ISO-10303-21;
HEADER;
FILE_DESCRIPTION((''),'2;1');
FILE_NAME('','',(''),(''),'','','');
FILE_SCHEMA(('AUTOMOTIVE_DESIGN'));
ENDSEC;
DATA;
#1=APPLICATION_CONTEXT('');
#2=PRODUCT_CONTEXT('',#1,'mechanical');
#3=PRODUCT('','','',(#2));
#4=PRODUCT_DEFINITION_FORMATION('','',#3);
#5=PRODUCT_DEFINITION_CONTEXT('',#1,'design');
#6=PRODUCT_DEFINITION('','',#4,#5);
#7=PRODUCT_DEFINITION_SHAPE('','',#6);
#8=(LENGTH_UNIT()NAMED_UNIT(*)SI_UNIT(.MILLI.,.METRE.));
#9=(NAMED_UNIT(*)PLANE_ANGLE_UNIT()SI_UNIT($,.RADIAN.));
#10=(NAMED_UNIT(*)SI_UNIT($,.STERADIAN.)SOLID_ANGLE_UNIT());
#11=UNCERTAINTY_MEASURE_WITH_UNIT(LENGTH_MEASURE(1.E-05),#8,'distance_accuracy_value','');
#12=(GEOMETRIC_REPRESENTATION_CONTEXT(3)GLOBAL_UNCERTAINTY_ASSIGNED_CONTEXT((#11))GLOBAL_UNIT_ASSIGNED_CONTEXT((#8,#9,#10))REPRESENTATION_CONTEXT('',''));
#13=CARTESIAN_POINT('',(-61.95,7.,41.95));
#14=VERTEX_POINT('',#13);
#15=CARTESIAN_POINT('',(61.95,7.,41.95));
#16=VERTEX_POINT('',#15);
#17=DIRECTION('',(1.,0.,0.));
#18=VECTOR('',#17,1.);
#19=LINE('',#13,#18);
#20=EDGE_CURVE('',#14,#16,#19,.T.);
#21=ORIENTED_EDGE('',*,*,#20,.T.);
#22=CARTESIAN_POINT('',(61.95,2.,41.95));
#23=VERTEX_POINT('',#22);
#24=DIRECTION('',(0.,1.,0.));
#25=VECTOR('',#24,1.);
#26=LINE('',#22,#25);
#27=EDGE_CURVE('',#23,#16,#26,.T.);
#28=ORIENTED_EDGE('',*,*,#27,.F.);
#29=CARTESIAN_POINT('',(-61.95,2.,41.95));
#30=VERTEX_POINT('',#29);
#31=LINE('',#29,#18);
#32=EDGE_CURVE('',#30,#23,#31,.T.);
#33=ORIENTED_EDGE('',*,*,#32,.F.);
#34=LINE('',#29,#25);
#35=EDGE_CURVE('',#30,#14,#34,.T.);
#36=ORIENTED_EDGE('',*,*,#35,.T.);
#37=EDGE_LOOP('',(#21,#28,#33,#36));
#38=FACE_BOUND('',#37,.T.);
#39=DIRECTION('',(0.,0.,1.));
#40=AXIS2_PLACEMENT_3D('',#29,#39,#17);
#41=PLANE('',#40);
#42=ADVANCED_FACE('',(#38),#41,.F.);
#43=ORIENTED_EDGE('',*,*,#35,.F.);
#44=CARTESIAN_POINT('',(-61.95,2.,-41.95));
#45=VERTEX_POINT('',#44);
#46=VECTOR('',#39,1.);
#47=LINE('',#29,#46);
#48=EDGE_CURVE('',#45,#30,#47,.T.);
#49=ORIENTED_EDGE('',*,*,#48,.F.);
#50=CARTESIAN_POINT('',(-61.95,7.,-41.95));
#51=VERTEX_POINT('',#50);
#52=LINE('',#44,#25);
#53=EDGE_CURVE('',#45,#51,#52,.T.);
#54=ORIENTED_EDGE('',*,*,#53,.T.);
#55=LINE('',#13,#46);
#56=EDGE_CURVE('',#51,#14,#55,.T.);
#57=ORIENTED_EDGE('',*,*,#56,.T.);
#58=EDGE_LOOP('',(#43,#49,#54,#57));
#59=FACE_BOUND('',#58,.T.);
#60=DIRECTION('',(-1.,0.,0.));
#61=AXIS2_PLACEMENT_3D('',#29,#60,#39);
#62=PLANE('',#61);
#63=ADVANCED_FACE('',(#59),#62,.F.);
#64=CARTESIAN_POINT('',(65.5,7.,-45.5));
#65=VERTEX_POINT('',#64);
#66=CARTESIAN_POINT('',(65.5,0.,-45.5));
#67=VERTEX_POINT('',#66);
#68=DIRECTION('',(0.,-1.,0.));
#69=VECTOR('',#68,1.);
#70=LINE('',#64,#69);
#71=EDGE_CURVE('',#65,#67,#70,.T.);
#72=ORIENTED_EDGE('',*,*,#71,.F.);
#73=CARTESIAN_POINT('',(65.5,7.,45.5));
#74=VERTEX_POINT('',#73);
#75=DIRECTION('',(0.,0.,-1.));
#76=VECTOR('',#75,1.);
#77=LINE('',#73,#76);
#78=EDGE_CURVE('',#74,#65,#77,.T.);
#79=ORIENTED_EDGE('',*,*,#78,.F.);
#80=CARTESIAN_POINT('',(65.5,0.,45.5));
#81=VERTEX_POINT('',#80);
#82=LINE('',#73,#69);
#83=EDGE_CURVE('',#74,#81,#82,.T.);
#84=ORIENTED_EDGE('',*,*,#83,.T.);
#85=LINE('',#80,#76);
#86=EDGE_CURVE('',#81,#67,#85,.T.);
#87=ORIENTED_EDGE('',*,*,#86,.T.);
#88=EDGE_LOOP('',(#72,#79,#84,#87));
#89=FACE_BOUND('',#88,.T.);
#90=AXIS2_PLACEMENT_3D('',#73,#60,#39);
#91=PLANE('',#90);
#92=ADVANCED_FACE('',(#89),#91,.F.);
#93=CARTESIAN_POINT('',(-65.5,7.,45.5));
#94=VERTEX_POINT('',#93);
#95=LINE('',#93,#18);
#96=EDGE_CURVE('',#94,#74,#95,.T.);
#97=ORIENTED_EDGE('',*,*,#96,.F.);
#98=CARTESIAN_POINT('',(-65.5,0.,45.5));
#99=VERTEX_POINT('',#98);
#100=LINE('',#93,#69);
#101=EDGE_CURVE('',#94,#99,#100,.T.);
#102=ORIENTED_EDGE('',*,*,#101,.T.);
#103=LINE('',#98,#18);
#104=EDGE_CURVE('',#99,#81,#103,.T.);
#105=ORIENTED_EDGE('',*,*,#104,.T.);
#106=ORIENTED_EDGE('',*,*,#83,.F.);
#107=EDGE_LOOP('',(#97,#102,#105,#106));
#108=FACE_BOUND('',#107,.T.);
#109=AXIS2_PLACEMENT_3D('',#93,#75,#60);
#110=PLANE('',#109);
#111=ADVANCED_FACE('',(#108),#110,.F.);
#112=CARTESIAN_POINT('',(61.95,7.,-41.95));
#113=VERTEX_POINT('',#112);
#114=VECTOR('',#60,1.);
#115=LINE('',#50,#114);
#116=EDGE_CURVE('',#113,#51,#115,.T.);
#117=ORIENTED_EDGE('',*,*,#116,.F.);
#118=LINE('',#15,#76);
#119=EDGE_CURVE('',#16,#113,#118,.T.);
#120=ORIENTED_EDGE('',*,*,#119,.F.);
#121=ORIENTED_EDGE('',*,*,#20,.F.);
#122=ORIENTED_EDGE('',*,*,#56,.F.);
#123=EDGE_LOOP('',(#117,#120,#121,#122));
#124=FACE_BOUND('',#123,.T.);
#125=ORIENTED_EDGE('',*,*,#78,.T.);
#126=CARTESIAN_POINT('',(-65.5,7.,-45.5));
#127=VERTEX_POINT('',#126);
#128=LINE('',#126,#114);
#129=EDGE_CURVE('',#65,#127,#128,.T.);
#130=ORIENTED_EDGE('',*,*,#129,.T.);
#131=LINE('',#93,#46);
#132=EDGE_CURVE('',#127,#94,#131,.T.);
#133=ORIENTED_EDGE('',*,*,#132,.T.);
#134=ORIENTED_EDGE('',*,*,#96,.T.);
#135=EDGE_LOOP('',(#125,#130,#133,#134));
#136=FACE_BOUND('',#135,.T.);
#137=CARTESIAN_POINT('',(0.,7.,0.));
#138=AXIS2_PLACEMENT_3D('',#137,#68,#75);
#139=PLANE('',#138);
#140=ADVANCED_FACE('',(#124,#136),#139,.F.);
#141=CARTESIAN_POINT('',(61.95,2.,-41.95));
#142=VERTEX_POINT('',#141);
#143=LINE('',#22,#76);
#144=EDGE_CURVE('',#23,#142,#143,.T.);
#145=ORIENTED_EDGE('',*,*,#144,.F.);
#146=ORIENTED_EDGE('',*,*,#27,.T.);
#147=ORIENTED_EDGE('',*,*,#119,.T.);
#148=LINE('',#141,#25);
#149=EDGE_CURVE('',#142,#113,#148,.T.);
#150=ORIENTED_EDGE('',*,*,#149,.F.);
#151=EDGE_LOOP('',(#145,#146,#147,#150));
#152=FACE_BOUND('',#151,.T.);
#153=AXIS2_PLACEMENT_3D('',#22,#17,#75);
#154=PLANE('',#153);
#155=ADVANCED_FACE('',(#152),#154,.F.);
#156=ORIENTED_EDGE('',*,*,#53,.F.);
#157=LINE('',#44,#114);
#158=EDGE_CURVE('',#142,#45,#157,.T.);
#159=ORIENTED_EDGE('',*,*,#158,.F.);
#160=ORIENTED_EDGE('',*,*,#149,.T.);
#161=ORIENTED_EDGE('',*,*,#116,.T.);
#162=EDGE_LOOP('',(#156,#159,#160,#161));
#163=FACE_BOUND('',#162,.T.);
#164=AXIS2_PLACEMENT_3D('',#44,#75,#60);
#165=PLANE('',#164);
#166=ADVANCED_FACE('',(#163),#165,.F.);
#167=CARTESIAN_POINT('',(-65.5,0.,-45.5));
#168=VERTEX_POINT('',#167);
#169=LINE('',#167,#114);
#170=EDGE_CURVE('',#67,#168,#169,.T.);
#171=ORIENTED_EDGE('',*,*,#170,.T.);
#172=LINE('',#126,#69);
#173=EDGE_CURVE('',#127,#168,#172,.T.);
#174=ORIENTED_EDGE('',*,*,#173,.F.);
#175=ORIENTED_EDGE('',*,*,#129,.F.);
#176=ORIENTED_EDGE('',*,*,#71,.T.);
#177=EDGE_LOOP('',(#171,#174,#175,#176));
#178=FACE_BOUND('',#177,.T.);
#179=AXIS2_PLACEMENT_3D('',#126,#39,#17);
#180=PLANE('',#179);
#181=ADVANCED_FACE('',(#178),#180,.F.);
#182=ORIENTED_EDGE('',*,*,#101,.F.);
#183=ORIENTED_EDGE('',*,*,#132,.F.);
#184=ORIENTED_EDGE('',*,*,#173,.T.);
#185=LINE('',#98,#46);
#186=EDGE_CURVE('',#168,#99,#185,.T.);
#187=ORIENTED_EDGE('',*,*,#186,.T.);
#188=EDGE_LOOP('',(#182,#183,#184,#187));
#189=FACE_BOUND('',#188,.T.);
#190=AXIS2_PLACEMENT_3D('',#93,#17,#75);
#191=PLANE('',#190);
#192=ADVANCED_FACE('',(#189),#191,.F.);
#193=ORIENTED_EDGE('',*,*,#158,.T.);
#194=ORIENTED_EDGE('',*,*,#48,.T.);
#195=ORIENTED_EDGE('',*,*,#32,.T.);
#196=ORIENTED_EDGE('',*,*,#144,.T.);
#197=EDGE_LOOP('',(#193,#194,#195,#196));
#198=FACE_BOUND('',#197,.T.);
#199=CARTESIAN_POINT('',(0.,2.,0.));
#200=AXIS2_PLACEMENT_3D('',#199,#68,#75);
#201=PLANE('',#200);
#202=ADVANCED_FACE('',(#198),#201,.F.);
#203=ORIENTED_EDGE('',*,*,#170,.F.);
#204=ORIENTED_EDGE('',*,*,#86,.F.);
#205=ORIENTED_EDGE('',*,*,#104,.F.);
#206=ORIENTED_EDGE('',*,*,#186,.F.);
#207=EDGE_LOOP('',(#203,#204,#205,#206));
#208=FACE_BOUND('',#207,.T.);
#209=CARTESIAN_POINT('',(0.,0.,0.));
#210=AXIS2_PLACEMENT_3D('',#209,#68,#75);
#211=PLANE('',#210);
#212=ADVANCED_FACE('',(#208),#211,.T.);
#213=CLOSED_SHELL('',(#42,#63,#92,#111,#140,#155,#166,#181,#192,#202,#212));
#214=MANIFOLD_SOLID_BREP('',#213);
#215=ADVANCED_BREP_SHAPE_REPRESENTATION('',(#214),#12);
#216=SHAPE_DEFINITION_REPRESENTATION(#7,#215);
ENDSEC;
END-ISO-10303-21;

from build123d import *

# Parameters (mm, degrees)
SKETCH1_W           = 131
SKETCH1_H           = 91
BOSS_EXTRUDE1_DEPTH = 7
SKETCH2_W           = 123.9
SKETCH2_H           = 83.9
CUT_EXTRUDE1_DEPTH  = 5


with BuildPart() as part:
    # Sketch1 → Boss-Extrude1 (new body)
    with BuildSketch(Plane(origin=(0, 0, 0), x_dir=(1, 0, 0), z_dir=(0, 1, 0))):
        Rectangle(SKETCH1_W, SKETCH1_H)
    extrude(amount=BOSS_EXTRUDE1_DEPTH)

    # Sketch2 → Cut-Extrude1 (cut)
    with BuildSketch(Plane(origin=(0, 7, 0), x_dir=(1, 0, 0), z_dir=(0, 1, 0))):
        Rectangle(SKETCH2_W, SKETCH2_H)
    extrude(amount=-CUT_EXTRUDE1_DEPTH, mode=Mode.SUBTRACT)


solid = part.part
